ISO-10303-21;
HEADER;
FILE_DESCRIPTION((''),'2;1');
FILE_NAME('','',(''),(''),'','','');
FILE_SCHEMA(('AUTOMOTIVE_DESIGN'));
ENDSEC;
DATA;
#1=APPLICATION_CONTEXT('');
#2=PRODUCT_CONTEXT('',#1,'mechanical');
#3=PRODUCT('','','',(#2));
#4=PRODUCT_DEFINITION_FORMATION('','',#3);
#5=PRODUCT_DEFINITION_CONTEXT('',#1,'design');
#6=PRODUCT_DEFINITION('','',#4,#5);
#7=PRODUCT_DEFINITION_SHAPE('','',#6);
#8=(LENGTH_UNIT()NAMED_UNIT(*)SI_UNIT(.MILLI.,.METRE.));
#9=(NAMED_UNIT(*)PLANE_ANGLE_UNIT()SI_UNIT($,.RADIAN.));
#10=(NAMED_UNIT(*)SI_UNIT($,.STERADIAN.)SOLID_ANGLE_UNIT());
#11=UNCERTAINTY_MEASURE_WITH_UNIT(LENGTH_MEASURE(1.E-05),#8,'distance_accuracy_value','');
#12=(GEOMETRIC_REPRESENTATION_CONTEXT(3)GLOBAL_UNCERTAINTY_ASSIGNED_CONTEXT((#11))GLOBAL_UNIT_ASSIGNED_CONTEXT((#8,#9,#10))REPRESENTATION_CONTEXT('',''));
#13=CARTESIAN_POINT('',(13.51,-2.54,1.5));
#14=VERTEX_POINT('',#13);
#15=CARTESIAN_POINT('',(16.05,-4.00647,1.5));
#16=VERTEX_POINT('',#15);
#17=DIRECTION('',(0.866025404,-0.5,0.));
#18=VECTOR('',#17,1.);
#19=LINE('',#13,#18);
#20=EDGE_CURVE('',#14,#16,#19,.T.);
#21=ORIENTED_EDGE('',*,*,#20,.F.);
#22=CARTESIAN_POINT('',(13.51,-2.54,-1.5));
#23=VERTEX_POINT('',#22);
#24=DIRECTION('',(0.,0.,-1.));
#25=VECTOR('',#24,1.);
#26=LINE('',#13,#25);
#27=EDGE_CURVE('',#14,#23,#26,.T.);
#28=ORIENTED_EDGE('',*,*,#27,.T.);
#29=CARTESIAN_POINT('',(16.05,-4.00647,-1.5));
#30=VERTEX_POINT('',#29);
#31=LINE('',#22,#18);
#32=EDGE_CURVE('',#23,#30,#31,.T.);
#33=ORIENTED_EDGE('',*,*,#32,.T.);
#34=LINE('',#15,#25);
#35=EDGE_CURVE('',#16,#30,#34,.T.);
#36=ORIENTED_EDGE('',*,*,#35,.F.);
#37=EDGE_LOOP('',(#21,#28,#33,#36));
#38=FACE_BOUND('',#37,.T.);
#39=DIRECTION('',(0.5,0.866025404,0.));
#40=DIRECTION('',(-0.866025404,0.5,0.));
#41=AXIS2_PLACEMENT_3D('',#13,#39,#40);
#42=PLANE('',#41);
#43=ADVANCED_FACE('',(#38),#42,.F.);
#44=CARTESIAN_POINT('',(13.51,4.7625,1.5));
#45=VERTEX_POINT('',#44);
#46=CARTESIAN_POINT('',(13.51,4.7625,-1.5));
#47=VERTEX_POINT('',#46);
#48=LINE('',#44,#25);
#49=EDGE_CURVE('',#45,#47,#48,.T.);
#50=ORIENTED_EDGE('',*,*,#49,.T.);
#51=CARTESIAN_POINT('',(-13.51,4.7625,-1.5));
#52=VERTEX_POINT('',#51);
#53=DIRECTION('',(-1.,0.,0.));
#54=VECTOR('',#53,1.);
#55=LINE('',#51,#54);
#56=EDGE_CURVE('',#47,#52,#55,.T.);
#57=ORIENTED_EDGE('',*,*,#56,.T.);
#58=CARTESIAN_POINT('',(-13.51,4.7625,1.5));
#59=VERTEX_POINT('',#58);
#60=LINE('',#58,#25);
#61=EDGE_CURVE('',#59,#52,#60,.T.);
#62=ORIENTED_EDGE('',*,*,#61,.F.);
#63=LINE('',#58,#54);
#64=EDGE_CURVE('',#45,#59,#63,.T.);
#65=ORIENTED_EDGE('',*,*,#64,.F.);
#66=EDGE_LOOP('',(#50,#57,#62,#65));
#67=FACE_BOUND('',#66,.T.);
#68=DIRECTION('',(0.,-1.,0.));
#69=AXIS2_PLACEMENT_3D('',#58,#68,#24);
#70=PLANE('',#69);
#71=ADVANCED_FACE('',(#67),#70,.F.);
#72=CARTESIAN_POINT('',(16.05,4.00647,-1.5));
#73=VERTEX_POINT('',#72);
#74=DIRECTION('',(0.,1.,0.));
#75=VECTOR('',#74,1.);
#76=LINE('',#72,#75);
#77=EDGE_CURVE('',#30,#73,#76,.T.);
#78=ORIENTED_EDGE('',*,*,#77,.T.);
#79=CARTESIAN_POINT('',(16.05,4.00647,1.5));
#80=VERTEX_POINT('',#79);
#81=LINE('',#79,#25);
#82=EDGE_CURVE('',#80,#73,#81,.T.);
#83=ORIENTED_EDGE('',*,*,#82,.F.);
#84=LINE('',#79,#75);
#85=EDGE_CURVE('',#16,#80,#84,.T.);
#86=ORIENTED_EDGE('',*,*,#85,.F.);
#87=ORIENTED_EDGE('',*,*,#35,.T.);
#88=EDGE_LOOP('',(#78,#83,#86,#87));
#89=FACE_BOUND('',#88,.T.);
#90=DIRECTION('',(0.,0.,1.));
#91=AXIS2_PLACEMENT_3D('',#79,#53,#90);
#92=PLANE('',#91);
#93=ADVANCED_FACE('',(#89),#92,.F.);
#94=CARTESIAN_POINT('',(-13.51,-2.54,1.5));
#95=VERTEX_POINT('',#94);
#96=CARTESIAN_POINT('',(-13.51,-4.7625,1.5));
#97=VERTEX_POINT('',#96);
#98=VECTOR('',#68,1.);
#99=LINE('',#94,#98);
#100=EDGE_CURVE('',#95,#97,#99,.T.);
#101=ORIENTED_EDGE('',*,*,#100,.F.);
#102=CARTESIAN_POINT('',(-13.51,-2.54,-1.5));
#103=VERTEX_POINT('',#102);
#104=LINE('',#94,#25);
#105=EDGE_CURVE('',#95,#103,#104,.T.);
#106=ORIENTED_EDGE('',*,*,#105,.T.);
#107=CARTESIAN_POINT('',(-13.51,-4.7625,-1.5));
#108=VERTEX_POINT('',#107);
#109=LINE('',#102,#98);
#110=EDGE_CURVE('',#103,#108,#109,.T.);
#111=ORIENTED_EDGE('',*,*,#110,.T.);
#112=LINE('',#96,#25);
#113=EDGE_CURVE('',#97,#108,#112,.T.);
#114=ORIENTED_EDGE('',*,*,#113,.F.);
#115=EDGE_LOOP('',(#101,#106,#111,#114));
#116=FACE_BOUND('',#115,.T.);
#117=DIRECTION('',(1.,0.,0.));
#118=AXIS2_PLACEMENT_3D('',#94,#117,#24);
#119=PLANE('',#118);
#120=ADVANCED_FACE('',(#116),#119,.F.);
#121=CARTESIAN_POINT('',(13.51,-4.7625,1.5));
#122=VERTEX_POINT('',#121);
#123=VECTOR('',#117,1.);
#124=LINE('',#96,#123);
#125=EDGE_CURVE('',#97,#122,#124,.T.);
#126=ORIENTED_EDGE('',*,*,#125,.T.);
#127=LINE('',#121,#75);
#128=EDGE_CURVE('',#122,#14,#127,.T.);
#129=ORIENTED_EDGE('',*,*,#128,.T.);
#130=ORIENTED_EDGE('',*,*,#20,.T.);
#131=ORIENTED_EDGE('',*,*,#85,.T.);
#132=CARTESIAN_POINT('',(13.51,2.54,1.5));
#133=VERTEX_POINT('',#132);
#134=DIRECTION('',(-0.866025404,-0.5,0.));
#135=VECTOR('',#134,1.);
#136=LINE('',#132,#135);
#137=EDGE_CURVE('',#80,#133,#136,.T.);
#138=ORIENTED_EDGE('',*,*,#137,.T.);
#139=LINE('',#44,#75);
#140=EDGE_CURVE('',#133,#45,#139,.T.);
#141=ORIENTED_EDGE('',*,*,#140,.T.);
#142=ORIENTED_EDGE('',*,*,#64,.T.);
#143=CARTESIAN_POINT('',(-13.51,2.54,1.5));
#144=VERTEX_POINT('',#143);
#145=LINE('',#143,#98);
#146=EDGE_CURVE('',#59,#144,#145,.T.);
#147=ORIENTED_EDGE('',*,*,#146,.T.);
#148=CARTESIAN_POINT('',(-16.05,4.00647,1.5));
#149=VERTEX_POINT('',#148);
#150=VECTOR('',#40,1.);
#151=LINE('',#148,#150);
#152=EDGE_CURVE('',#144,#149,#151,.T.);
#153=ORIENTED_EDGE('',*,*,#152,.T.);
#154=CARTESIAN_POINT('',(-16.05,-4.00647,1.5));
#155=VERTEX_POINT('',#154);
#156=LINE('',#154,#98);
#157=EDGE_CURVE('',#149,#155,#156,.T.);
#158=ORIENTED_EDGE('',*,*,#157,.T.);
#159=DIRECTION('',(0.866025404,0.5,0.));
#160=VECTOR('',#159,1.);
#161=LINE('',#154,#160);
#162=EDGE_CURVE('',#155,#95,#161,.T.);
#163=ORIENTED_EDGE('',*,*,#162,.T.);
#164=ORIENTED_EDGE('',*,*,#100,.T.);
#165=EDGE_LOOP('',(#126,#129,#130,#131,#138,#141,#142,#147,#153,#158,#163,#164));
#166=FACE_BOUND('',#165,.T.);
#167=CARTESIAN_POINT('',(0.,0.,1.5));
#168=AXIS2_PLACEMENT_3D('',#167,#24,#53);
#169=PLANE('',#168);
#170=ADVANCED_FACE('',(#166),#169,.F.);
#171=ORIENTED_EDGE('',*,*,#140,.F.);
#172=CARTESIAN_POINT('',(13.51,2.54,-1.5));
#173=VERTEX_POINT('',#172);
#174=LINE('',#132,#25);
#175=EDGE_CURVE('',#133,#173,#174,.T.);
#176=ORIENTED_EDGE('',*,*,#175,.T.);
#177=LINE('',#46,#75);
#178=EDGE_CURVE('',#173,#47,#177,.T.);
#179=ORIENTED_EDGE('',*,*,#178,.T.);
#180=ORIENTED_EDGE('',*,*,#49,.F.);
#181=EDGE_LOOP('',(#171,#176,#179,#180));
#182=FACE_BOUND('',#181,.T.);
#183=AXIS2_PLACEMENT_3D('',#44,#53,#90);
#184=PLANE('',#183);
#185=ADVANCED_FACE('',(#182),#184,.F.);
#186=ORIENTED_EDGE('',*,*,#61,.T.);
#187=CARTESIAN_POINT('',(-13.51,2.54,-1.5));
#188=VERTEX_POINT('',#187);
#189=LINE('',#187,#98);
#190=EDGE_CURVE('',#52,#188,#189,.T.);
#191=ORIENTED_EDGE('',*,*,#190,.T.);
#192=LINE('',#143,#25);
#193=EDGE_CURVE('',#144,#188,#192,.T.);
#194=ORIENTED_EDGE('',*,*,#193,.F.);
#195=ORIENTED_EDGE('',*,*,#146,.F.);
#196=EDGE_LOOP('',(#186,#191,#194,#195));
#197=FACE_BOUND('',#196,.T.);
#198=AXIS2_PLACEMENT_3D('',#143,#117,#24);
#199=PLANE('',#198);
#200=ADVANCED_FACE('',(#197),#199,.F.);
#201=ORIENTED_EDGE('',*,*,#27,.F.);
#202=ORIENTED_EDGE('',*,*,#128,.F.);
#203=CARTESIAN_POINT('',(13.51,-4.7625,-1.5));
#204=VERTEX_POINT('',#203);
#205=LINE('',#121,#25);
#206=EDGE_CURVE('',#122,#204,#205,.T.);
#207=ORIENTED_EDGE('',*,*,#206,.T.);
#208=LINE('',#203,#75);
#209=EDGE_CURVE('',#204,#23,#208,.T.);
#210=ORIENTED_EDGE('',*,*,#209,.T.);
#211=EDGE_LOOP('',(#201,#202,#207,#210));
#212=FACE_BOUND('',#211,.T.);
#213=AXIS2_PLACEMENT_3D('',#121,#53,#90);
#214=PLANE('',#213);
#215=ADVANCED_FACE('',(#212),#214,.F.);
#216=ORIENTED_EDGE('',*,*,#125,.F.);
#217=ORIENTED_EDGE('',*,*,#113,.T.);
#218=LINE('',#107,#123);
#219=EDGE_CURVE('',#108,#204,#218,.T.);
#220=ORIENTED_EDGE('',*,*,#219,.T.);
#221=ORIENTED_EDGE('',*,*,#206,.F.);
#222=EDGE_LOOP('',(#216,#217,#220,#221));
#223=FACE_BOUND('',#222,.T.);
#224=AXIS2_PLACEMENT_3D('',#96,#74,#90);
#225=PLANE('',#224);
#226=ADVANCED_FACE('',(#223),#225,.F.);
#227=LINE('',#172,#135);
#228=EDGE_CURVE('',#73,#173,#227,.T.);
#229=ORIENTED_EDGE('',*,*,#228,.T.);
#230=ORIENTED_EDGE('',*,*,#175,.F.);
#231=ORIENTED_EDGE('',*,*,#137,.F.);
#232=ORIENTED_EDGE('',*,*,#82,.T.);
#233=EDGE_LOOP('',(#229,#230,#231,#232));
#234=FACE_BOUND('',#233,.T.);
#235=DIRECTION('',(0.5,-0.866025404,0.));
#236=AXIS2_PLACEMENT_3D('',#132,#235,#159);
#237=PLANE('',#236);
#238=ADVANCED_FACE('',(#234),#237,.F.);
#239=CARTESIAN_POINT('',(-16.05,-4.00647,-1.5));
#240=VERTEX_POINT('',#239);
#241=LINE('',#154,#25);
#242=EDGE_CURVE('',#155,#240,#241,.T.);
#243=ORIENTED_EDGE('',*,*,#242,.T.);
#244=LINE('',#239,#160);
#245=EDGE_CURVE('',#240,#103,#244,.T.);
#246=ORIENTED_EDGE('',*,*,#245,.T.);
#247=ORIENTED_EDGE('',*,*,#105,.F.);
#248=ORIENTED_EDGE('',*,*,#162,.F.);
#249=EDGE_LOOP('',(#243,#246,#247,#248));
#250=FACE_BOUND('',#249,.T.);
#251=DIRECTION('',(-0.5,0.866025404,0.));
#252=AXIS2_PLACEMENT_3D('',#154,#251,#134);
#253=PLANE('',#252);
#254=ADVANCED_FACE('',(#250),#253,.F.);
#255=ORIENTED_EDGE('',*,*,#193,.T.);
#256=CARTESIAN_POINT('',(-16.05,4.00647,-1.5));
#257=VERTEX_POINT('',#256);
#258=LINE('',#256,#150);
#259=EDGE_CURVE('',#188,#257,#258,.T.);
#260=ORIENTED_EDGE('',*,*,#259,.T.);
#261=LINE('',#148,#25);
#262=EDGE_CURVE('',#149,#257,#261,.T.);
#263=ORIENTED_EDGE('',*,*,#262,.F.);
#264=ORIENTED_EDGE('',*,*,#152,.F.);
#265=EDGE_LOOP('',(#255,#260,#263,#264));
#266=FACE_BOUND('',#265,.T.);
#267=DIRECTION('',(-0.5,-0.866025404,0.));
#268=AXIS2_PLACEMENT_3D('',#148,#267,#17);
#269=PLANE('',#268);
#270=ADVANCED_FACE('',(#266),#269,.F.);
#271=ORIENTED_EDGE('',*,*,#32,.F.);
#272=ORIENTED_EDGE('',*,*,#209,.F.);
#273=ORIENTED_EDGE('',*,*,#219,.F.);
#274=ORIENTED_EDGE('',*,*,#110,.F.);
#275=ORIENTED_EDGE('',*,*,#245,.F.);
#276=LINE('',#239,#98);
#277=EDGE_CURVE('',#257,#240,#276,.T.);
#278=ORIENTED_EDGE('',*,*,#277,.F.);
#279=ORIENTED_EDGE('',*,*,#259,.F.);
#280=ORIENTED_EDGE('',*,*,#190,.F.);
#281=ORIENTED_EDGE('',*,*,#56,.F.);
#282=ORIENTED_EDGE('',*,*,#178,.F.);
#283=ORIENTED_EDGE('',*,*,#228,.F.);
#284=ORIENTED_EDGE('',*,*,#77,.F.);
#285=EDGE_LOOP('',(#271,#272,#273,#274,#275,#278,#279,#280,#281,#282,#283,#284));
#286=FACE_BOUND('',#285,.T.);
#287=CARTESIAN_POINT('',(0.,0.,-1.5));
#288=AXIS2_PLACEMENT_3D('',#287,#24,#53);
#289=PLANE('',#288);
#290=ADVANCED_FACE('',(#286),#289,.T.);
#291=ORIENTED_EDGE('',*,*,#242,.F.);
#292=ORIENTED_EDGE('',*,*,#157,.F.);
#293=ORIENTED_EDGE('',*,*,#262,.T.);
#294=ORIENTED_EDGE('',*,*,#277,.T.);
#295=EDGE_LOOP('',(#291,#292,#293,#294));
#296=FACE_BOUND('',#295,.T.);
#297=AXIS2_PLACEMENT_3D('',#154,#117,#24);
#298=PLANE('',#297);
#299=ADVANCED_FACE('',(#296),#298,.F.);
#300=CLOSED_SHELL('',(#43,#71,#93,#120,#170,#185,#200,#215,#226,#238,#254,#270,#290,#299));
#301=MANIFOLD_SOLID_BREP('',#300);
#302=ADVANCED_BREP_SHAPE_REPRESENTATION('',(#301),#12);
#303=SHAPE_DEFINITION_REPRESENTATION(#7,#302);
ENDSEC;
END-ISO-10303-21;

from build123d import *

# Parameters (mm, degrees)
BOSS_EXTRUDE1_DEPTH = 1.500000048


with BuildPart() as part:
    # Sketch1 → Boss-Extrude1 (new, symmetric)
    with BuildSketch(Plane.XY):
        Polygon((-16.049999904, -4.006469684), (-16.049999904, 4.006469684), (-13.509999904, 2.54), (-13.509999904, 4.7625), (13.509999904, 4.7625), (13.509999904, 2.54), (16.049999904, 4.006469684), (16.049999904, -4.006469684), (13.509999904, -2.54), (13.509999904, -4.7625), (-13.509999904, -4.7625), (-13.509999904, -2.54), align=None)
    extrude(amount=BOSS_EXTRUDE1_DEPTH, both=True)


solid = part.part
